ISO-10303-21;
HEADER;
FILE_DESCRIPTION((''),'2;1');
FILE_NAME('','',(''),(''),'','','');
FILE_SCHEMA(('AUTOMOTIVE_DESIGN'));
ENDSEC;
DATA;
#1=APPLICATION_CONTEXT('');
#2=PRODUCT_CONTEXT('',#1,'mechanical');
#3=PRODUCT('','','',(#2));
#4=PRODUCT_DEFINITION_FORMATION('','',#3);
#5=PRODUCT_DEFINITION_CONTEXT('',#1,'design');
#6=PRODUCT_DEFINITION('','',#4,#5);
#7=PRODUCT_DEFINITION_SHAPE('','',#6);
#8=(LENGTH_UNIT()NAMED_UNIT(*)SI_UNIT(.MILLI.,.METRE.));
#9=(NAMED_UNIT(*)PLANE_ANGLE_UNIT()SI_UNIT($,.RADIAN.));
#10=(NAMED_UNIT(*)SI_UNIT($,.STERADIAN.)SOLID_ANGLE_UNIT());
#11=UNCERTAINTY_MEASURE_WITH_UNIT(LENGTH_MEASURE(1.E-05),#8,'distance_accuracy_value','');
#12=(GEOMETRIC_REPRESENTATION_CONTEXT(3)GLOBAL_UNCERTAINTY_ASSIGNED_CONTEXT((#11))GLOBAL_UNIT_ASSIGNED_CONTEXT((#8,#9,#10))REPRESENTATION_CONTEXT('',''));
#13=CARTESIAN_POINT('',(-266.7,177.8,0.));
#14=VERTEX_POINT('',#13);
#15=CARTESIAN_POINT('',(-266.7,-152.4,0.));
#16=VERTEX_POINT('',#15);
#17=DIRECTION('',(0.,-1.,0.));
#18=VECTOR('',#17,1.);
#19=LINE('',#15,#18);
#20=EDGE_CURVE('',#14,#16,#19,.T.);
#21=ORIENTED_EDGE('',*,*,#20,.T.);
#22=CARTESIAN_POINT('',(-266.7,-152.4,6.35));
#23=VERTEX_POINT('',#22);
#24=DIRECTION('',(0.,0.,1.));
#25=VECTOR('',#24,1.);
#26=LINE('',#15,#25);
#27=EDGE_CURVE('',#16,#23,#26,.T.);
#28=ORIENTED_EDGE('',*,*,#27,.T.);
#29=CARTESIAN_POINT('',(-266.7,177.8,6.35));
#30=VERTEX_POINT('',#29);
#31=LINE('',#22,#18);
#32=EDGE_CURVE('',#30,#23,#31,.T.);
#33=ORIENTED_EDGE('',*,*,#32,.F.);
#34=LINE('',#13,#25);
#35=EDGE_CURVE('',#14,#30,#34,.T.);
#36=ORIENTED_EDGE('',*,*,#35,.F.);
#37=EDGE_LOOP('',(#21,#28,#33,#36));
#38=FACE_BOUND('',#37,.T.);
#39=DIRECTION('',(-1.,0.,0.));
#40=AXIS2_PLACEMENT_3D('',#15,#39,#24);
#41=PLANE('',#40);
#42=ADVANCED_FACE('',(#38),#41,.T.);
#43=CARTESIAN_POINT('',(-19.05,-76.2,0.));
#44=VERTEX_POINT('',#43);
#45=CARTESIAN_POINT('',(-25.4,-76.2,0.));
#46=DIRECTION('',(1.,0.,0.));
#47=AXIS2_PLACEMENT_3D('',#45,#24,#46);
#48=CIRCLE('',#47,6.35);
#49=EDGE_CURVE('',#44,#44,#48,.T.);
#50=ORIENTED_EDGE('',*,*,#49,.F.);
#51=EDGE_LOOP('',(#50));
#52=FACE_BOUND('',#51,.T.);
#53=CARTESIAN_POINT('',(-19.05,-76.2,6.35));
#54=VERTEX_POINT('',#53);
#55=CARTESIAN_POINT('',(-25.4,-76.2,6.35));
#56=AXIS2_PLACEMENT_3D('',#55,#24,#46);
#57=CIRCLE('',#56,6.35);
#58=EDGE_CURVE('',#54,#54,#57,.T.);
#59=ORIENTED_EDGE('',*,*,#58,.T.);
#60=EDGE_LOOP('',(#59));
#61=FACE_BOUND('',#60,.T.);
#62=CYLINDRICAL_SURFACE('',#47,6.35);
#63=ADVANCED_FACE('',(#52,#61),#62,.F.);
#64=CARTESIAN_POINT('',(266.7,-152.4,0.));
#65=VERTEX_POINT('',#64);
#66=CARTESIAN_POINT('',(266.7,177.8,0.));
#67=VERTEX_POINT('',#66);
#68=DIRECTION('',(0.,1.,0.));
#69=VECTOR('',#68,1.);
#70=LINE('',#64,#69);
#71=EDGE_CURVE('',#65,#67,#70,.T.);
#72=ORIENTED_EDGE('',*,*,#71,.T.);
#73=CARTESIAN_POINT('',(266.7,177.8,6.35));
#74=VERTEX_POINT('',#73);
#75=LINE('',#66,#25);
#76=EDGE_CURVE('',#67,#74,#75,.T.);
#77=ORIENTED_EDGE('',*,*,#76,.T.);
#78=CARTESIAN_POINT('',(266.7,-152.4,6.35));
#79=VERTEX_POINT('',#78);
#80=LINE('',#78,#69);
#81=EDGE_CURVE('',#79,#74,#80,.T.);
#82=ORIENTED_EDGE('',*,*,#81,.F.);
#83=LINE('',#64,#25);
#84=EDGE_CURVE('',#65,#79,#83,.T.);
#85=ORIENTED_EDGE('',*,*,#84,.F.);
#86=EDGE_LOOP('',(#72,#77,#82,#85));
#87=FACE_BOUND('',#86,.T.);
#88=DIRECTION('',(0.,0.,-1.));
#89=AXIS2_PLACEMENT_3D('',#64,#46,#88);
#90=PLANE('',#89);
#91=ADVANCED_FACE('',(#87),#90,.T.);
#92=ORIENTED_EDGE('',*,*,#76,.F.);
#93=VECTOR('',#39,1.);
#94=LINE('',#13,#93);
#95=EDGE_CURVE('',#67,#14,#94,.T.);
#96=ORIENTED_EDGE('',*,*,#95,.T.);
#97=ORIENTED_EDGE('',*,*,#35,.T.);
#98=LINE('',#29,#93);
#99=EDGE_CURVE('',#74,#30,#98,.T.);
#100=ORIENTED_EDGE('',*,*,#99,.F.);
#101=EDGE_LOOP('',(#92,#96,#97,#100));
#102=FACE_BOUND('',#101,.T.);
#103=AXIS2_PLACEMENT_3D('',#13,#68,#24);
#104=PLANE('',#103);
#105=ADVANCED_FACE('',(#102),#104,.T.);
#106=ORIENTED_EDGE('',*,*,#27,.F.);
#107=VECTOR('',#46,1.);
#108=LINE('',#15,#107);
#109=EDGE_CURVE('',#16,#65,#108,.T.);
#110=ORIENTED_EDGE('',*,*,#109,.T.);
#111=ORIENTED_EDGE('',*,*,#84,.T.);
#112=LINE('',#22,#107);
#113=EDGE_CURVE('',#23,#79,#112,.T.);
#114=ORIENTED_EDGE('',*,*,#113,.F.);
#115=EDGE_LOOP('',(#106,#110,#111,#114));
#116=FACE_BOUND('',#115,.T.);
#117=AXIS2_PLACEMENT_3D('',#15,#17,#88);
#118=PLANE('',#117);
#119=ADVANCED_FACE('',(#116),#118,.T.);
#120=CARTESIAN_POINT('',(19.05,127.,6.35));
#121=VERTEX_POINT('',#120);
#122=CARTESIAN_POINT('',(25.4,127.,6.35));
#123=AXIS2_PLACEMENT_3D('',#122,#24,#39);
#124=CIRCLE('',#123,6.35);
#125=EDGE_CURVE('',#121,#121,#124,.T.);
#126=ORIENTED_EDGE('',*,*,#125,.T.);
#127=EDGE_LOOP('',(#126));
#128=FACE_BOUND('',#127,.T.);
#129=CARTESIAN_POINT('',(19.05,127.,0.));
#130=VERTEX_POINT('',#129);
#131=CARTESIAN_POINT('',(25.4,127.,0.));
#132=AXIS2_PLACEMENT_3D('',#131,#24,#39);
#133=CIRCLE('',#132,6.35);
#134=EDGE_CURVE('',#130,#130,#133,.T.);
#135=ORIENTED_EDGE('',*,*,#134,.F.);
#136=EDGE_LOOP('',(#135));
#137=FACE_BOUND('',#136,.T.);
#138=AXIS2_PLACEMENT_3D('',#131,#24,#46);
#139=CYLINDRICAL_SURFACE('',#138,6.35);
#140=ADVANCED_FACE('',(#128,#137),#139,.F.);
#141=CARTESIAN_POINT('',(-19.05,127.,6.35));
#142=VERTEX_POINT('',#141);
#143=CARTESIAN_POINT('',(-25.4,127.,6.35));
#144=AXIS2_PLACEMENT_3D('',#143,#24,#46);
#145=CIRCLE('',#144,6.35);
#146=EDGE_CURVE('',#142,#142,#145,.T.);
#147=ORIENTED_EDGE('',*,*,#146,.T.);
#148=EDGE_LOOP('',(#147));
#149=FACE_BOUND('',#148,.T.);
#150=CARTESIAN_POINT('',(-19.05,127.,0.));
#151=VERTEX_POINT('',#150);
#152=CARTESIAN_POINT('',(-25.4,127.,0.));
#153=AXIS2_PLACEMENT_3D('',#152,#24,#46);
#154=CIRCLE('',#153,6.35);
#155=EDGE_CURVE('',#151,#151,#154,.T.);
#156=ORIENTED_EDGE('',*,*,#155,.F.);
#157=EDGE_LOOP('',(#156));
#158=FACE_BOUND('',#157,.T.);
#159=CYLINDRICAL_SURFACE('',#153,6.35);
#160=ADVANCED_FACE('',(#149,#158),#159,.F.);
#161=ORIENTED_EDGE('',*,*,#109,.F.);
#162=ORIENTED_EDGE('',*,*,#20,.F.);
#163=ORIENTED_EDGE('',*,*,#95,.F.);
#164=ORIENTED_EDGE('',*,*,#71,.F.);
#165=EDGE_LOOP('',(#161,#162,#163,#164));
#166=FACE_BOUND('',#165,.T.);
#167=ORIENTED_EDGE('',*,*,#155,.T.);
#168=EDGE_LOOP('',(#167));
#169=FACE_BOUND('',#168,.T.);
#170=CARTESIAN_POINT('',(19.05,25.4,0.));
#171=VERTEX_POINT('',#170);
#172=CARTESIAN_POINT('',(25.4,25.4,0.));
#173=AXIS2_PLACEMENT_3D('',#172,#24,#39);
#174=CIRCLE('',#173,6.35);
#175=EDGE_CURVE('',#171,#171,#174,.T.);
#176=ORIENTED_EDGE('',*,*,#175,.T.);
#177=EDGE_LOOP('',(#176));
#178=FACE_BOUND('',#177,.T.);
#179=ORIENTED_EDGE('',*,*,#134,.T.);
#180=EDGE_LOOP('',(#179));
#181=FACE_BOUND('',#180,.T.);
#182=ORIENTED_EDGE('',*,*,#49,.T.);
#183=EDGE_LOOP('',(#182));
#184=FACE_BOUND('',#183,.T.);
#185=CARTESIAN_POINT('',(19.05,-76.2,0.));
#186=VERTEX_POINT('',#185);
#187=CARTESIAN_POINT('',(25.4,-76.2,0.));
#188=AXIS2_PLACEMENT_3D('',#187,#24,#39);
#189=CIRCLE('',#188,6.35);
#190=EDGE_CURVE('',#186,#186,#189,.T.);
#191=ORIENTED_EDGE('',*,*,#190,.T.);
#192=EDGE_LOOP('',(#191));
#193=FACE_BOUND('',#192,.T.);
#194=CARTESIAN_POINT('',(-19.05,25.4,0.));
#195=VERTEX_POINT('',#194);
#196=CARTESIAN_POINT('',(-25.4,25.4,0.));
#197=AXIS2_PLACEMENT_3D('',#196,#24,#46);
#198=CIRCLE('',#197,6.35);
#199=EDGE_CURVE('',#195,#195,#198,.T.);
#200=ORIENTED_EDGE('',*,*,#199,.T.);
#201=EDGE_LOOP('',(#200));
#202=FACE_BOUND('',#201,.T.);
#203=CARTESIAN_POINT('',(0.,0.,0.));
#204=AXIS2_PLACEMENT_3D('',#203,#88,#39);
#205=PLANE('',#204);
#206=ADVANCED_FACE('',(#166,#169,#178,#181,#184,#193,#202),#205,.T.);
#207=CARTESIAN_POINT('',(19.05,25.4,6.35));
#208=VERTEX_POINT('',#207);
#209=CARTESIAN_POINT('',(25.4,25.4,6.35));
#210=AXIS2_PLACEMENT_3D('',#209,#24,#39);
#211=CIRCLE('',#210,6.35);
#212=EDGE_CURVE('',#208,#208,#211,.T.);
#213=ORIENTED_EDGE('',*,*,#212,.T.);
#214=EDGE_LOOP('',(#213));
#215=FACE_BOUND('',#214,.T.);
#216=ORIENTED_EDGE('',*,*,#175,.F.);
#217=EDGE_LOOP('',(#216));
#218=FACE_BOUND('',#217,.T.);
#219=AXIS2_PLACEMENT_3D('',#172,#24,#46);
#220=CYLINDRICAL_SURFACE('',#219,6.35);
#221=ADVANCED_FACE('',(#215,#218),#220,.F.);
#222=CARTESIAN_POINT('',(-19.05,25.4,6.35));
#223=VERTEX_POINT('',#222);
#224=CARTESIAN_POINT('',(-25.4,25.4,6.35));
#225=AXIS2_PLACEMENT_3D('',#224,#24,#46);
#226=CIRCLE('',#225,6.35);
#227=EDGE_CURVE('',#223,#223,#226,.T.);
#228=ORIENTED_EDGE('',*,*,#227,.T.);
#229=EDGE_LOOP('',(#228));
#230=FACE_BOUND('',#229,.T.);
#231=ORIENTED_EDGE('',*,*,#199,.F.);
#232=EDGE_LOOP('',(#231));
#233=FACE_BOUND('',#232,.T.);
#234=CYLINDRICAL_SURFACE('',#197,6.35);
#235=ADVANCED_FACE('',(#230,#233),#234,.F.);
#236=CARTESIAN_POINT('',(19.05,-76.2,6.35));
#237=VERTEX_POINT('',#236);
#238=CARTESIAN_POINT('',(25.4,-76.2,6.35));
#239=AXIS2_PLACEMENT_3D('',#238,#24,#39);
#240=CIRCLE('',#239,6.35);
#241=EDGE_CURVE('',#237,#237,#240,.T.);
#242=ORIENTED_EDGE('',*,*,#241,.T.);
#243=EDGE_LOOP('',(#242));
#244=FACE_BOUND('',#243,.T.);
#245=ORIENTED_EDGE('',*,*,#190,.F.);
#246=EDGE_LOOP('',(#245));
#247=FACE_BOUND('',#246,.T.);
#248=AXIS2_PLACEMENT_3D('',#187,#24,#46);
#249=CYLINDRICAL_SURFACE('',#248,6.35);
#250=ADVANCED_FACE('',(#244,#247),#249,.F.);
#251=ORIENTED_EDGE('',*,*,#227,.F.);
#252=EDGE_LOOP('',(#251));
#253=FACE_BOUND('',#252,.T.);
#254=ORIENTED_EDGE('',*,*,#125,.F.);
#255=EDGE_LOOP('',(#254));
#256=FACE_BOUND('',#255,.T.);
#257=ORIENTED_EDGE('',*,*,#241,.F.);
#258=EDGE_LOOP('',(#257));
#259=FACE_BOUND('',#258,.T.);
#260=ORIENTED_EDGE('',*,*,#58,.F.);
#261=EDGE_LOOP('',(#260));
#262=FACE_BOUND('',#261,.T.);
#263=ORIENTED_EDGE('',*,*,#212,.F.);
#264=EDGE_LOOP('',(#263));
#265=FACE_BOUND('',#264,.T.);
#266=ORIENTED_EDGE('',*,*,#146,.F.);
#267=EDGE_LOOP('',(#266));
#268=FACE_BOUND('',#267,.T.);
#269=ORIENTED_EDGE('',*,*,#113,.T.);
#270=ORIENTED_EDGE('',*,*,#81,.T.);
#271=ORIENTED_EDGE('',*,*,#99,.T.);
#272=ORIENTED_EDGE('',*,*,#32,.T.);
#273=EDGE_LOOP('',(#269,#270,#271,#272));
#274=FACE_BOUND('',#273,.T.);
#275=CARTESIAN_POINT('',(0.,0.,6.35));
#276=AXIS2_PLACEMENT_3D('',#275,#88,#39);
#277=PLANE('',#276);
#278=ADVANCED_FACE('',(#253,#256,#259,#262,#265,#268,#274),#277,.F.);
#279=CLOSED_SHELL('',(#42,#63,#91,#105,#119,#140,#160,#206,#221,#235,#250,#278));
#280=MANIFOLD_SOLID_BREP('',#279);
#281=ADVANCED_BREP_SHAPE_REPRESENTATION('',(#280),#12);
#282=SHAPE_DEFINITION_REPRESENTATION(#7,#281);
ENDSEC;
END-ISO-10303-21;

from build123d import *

# Parameters (mm, degrees)
SKETCH1_W           = 254
SKETCH1_H           = 152.4
SKETCH1_R           = 53.34
BOSS_EXTRUDE1_DEPTH = 6.35
BOSS_EXTRUDE2_START = -6.35
SKETCH13_R          = 53.34
BOSS_EXTRUDE2_DEPTH = 6.35
SKETCH21_W          = 431.8
SKETCH21_H          = 279.4
SKETCH21_W_2        = 254
SKETCH21_H_2        = 152.4
BOSS_EXTRUDE5_DEPTH = 6.35
SKETCH19_R          = 6.35
CUT_EXTRUDE5_DEPTH  = 265.346160366
SKETCH25_W          = 533.4
SKETCH25_H          = 330.2
SKETCH25_W_2        = 431.8
SKETCH25_H_2        = 279.4
BOSS_EXTRUDE7_DEPTH = 6.35


with BuildPart() as part:
    # Sketch1 → Boss-Extrude1 (new body)
    with BuildSketch(Plane.XY):
        Rectangle(SKETCH1_W, SKETCH1_H)
        Circle(SKETCH1_R, mode=Mode.SUBTRACT)
    extrude(amount=BOSS_EXTRUDE1_DEPTH)

    # Sketch13 → Boss-Extrude2 (add)
    with BuildSketch(Plane.XY.offset(6.35).offset(BOSS_EXTRUDE2_START)):
        Circle(SKETCH13_R)
    extrude(amount=BOSS_EXTRUDE2_DEPTH)

    # Sketch21 → Boss-Extrude5 (add)
    with BuildSketch(Plane.XY.offset(6.35)):
        with Locations((0, 12.7)):
            Rectangle(SKETCH21_W, SKETCH21_H)
        Rectangle(SKETCH21_W_2, SKETCH21_H_2, mode=Mode.SUBTRACT)
    extrude(amount=-BOSS_EXTRUDE5_DEPTH)

    # Sketch19 → Cut-Extrude5 (cut, through all)
    with BuildSketch(Plane.XY.offset(6.35)):
        with Locations((-25.4, 127)):
            Circle(SKETCH19_R)
        with Locations((-25.4, 25.4)):
            Circle(SKETCH19_R)
        with Locations(Location((25.4, 25.4, 0), (0, 0, 180))):
            Circle(SKETCH19_R)
        with Locations(Location((25.4, 127, 0), (0, 0, 180))):
            Circle(SKETCH19_R)
        with Locations((-25.4, -76.2)):
            Circle(SKETCH19_R)
        with Locations(Location((25.4, -76.2, 0), (0, 0, 180))):
            Circle(SKETCH19_R)
    extrude(amount=-CUT_EXTRUDE5_DEPTH, mode=Mode.SUBTRACT)

    # Sketch25 → Boss-Extrude7 (add)
    with BuildSketch(Plane.XY.offset(6.35)):
        with Locations((0, 12.7)):
            Rectangle(SKETCH25_W, SKETCH25_H)
        with Locations((0, 12.7)):
            Rectangle(SKETCH25_W_2, SKETCH25_H_2, mode=Mode.SUBTRACT)
    extrude(amount=-BOSS_EXTRUDE7_DEPTH)


solid = part.part
